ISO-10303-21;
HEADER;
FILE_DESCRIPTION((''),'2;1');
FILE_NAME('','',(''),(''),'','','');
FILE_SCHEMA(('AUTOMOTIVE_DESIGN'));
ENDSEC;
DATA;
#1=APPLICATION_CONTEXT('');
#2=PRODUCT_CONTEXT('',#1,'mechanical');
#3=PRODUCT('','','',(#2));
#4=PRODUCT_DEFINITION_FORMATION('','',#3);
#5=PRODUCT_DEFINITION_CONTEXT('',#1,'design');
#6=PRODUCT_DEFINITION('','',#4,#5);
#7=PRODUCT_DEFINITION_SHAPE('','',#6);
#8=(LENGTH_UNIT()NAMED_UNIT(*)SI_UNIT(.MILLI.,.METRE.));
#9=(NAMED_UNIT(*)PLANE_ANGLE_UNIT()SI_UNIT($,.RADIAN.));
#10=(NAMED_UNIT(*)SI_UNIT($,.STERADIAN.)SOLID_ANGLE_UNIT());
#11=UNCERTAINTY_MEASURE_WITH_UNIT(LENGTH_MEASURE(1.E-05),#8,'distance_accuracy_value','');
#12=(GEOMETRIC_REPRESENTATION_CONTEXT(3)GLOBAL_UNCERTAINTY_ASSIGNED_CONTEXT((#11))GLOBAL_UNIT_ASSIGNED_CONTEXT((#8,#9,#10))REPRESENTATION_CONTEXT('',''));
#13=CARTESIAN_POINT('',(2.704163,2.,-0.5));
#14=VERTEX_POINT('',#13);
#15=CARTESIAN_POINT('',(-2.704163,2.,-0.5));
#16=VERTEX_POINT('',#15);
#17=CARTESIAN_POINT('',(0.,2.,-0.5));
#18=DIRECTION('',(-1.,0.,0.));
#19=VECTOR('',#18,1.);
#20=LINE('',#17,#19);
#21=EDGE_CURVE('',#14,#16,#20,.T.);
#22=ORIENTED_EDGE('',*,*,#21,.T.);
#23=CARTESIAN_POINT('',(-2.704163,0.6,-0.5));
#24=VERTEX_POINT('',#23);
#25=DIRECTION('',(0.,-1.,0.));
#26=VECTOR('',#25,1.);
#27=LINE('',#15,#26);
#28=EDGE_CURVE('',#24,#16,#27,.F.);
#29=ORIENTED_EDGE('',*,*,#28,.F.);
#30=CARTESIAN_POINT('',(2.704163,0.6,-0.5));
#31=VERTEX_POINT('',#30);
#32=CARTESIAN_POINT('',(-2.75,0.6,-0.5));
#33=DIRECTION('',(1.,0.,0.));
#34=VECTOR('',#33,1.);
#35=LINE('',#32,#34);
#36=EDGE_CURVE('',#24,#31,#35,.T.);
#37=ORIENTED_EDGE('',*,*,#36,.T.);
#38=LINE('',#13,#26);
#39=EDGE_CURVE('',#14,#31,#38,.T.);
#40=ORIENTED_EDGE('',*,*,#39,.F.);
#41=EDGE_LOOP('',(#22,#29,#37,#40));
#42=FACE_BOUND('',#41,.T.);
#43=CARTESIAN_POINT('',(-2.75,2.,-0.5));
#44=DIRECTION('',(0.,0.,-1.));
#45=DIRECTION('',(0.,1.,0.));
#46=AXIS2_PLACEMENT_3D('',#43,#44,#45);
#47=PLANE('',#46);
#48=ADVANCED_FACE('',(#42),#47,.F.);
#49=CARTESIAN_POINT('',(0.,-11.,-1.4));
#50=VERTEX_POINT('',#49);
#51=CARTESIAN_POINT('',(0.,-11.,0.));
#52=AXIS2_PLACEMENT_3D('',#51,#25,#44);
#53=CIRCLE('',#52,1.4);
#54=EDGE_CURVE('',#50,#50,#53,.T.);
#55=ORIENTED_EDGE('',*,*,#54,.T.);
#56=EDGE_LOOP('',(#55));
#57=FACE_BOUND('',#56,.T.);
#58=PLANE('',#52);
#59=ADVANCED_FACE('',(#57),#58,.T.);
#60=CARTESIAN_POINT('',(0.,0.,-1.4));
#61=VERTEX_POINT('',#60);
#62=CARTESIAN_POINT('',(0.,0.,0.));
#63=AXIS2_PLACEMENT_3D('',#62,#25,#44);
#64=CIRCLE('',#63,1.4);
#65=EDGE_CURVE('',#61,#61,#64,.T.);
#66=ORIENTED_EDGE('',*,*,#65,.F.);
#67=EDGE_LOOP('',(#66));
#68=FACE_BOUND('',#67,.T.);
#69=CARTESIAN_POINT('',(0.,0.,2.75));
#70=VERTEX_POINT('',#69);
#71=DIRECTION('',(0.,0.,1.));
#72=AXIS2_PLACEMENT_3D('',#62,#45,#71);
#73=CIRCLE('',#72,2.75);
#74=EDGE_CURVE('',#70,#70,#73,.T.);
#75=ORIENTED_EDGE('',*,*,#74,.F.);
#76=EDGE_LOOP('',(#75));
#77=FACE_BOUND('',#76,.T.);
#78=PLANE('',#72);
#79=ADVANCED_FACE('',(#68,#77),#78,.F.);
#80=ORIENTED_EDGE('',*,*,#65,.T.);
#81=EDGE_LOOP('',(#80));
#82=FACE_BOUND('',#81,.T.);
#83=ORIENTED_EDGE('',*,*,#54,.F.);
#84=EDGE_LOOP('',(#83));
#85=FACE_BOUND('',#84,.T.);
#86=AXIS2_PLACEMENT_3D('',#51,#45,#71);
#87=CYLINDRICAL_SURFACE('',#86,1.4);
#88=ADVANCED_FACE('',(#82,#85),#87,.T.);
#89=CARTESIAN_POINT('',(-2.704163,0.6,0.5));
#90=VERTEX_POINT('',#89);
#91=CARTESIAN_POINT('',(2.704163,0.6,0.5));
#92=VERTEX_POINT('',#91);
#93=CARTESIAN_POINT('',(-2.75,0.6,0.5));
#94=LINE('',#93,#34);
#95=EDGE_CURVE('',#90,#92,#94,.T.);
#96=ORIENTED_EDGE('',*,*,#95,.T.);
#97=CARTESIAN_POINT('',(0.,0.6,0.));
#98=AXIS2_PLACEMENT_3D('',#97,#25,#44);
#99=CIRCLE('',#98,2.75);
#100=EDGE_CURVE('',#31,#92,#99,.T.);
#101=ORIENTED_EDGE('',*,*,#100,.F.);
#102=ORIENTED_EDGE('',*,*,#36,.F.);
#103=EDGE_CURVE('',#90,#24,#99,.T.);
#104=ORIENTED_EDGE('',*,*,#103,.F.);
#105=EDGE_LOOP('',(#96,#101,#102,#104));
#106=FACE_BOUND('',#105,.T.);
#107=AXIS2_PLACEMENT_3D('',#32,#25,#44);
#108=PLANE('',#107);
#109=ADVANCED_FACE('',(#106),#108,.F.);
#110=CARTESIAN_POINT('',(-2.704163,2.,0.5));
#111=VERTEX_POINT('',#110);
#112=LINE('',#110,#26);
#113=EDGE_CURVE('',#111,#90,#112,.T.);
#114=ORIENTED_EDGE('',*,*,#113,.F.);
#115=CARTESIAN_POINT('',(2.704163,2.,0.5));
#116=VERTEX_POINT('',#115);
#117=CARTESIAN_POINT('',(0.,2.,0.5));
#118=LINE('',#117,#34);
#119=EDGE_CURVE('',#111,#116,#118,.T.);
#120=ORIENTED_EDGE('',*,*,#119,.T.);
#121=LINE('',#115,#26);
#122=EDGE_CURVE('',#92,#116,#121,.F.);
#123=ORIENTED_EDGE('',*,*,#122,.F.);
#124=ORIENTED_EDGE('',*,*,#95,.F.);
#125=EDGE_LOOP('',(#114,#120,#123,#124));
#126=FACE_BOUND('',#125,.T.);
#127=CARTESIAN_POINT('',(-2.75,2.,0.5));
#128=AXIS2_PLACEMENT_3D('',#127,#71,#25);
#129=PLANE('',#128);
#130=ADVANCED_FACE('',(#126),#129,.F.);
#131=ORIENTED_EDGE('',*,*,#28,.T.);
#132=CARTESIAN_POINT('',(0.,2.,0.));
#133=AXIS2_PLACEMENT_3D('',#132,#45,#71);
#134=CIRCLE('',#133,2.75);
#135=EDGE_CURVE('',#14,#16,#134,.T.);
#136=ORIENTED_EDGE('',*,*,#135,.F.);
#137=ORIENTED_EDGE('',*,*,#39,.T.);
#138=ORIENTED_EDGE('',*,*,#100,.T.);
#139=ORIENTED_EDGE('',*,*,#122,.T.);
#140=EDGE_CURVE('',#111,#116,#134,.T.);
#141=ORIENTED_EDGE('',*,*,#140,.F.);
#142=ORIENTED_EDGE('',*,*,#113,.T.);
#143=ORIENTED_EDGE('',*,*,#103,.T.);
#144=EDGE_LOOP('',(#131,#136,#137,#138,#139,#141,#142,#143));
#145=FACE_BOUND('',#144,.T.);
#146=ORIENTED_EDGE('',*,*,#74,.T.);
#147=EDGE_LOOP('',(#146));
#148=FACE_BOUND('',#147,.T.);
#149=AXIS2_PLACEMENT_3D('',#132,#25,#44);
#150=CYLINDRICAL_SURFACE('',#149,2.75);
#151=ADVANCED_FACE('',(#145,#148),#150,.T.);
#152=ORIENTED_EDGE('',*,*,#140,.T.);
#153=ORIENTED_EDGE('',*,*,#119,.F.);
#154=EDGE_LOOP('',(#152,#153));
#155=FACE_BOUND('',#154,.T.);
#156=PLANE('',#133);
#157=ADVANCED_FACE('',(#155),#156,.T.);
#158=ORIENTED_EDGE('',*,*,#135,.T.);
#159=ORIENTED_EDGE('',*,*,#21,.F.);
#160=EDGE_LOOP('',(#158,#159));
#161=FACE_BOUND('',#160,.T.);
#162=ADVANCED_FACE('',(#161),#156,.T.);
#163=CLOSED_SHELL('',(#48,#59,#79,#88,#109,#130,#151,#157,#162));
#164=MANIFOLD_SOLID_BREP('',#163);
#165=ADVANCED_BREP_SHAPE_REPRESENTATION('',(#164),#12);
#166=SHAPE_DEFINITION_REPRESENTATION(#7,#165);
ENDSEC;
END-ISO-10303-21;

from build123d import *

# Parameters (mm, degrees)
SKETCH1_R               = 2.75
BOSS_EXTRUDE1_DEPTH     = 2
SKETCH2_R               = 1.4
BOSS_EXTRUDE2_DEPTH     = 11
SKETCH3_W               = 1
SKETCH3_H               = 1.4
CUT_EXTRUDE1_DEPTH      = 3.75
CUT_EXTRUDE1_DEPTH_BACK = 3.75


with BuildPart() as part:
    # Sketch1 → Boss-Extrude1 (new body)
    with BuildSketch(Plane(origin=(0, 0, 0), x_dir=(1, 0, 0), z_dir=(0, 1, 0))):
        Circle(SKETCH1_R)
    extrude(amount=BOSS_EXTRUDE1_DEPTH)

    # Sketch2 → Boss-Extrude2 (add)
    with BuildSketch(Plane.XZ):
        Circle(SKETCH2_R)
    extrude(amount=BOSS_EXTRUDE2_DEPTH)

    # Sketch3 → Cut-Extrude1 (cut, two sides)
    with BuildSketch(Plane(origin=(0, 0, 0), x_dir=(0, 0, -1), z_dir=(1, 0, 0))) as cut_extrude1_sk:
        with Locations((0, 1.3)):
            Rectangle(SKETCH3_W, SKETCH3_H)
    extrude(amount=CUT_EXTRUDE1_DEPTH, mode=Mode.SUBTRACT)
    extrude(cut_extrude1_sk.sketch, amount=-CUT_EXTRUDE1_DEPTH_BACK, mode=Mode.SUBTRACT)


solid = part.part
